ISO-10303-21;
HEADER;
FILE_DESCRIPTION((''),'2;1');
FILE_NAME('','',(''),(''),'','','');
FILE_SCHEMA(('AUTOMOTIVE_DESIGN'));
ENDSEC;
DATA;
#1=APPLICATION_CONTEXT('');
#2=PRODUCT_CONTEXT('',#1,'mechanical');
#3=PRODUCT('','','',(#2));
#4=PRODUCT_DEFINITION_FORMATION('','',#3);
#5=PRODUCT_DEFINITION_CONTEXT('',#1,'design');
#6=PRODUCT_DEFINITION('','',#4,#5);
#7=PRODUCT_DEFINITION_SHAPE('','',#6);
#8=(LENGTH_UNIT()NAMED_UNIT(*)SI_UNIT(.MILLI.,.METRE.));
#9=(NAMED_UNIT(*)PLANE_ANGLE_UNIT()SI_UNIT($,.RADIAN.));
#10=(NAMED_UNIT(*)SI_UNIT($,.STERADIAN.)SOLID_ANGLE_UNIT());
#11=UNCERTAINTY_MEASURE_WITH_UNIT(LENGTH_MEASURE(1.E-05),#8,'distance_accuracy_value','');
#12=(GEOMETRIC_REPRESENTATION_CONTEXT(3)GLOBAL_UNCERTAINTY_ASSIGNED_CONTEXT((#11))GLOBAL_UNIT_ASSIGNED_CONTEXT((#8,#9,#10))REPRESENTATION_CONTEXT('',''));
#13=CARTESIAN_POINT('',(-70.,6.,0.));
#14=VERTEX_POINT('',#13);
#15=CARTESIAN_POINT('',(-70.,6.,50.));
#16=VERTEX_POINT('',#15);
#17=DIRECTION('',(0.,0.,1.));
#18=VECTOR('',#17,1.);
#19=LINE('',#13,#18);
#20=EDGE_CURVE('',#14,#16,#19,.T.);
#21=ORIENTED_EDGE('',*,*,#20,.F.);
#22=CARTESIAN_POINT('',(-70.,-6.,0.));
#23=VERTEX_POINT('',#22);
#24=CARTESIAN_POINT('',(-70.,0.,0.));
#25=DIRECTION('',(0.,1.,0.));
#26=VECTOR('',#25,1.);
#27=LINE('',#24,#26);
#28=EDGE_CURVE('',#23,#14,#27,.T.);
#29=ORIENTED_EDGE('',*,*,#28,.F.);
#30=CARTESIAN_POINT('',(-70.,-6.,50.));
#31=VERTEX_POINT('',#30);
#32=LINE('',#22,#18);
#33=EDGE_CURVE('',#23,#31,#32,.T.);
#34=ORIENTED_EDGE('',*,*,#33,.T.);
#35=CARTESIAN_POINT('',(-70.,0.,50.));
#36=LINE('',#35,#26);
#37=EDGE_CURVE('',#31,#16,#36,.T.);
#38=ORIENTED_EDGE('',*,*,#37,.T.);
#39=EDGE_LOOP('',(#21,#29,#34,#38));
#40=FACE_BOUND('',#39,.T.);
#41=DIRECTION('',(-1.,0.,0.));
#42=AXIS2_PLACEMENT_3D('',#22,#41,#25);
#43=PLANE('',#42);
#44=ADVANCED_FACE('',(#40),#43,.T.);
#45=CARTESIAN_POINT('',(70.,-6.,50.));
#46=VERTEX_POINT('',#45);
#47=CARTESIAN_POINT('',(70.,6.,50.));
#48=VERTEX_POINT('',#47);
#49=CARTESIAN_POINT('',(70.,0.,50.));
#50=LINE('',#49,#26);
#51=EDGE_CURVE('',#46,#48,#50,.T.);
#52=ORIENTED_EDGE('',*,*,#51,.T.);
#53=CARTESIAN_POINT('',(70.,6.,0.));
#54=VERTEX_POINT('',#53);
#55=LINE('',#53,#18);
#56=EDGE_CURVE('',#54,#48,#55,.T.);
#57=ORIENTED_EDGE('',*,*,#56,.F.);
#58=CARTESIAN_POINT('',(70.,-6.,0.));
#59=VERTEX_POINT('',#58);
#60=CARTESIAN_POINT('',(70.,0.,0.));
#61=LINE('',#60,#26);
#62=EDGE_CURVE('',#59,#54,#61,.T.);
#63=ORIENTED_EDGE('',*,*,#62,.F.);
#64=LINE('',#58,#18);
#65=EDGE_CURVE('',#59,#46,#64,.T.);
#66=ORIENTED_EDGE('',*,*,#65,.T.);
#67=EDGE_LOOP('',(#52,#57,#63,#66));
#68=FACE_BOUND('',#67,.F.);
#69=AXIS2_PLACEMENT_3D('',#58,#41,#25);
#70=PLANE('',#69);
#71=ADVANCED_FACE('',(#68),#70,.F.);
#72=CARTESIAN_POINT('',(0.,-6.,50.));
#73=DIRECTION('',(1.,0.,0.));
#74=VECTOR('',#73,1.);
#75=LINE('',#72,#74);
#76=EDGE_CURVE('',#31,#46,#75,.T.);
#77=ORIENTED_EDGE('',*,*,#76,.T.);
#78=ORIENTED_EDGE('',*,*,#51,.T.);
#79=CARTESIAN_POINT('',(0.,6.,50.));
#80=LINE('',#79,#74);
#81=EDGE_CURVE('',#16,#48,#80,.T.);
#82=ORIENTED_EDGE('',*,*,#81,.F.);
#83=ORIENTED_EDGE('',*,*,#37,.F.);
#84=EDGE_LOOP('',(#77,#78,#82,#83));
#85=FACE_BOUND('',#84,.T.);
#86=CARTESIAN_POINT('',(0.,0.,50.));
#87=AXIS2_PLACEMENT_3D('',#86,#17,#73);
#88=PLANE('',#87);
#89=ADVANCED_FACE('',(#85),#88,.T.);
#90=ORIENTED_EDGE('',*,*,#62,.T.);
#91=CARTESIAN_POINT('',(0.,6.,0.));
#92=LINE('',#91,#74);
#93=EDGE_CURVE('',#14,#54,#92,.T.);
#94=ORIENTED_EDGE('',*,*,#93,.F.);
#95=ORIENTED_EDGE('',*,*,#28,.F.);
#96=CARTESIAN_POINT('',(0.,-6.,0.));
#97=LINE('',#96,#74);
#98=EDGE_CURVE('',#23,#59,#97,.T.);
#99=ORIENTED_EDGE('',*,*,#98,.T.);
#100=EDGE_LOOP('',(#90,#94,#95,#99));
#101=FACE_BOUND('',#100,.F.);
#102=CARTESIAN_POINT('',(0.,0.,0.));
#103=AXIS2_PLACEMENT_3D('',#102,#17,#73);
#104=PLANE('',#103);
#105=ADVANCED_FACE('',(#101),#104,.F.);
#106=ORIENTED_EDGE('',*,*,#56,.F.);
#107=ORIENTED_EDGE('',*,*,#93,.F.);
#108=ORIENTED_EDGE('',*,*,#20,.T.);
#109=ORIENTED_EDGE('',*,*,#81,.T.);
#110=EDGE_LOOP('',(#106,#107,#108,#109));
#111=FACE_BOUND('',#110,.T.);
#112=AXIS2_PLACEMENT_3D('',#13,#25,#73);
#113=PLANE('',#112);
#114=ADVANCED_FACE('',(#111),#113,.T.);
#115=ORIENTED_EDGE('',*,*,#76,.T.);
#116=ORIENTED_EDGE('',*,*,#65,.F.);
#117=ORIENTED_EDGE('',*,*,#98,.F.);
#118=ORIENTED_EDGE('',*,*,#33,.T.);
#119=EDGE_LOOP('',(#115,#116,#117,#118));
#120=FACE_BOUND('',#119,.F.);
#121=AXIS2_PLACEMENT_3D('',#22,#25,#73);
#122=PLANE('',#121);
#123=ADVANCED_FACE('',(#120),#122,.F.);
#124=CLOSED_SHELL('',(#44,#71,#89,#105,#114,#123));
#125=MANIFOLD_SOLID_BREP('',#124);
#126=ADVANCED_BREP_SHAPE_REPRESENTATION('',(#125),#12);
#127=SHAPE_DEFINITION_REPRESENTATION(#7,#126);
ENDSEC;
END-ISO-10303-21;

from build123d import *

# Parameters (mm, degrees)
SKETCH_W      = 140
SKETCH_H      = 12
EXTRUDE_DEPTH = 50


with BuildPart() as part:
    # Sketch → Extrude (new body)
    with BuildSketch(Plane.XY):
        Rectangle(SKETCH_W, SKETCH_H)
    extrude(amount=EXTRUDE_DEPTH)


solid = part.part
